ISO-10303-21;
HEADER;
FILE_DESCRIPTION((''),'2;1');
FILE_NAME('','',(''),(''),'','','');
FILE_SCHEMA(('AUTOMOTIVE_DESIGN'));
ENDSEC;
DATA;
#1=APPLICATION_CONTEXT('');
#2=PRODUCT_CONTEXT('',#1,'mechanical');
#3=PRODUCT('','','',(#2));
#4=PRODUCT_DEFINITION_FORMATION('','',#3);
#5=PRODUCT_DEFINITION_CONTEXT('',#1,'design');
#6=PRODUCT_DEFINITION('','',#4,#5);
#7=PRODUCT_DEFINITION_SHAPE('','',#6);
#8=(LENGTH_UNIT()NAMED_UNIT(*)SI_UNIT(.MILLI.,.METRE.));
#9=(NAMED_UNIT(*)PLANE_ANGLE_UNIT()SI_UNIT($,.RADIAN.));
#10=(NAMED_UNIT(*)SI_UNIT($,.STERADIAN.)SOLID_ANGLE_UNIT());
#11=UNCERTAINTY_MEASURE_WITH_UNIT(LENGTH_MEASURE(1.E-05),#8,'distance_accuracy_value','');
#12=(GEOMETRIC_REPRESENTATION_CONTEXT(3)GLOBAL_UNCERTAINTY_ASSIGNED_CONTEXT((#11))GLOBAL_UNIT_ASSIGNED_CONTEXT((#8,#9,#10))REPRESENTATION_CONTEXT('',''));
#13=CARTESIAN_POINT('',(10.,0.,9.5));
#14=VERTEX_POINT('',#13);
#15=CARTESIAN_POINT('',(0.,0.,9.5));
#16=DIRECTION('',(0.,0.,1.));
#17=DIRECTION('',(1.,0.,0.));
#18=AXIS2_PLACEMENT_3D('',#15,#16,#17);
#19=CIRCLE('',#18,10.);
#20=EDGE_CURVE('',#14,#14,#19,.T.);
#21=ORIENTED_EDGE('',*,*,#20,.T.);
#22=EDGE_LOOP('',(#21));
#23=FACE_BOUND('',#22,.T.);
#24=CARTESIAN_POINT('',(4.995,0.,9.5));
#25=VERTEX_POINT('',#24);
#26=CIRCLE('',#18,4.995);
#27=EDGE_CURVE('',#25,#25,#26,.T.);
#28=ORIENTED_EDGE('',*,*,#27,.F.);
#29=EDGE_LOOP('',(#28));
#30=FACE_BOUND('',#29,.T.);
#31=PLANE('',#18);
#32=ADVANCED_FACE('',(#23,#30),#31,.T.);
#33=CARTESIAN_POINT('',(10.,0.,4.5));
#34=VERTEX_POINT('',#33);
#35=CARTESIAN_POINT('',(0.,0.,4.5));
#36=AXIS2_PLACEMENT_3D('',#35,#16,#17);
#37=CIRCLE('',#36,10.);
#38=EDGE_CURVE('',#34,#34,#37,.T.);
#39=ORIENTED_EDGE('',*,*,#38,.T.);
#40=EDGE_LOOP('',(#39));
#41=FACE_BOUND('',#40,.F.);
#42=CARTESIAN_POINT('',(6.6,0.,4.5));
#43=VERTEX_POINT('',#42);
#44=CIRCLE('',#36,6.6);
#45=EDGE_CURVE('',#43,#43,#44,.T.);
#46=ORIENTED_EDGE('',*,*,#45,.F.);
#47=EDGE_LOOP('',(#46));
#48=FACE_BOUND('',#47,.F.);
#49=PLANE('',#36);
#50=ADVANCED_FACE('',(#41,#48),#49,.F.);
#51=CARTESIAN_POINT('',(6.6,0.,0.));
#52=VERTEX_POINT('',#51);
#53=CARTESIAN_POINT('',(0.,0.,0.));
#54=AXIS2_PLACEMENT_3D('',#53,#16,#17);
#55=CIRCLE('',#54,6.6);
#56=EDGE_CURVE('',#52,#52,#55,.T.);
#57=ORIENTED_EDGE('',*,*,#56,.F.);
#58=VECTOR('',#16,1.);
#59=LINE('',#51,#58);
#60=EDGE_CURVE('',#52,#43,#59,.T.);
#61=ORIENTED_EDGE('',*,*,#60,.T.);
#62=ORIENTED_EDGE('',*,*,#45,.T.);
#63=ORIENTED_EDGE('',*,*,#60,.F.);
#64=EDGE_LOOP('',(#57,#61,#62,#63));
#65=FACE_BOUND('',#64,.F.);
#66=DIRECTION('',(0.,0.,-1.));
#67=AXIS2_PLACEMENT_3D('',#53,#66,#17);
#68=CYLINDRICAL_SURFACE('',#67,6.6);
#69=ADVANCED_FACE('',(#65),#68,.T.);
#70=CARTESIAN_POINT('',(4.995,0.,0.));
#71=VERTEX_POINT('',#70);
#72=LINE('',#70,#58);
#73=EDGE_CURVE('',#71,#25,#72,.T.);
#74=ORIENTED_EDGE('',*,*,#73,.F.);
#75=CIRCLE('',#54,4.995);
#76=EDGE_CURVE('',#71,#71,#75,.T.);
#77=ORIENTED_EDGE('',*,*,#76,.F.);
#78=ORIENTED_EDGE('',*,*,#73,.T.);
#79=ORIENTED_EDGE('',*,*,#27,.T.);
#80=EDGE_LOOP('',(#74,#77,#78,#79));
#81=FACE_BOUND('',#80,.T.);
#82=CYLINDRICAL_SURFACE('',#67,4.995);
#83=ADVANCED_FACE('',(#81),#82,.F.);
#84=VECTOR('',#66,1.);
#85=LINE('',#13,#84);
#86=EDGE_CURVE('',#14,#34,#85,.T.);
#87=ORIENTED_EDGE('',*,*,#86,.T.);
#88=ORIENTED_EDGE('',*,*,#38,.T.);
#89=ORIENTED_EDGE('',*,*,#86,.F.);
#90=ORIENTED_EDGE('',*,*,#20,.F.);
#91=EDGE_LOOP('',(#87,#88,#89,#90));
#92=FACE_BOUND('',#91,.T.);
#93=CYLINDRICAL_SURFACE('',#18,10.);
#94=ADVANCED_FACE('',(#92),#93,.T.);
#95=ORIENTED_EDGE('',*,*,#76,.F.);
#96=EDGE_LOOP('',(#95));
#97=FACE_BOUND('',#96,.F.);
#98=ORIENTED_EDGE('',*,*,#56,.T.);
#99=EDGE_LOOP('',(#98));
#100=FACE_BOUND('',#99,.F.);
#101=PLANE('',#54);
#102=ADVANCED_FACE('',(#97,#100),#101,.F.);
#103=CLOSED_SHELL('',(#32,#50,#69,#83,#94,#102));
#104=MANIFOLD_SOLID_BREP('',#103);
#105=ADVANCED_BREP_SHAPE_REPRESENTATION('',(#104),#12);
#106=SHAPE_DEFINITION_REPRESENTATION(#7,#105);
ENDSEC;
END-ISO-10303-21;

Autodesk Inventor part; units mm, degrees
ref_plane "YZ Plane" through (0, 0, 0) normal (1, 0, 0) x (0, 1, 0)
ref_plane "XZ Plane" through (0, 0, 0) normal (0, 1, 0) x (-1, 0, 0)
ref_plane "XY Plane" through (0, 0, 0) normal (0, 0, 1) x (1, 0, 0)
sketch "Sketch1" plane through (0, 0, 0) normal (0, 0, 1) x (1, 0, 0)
  circle A0 centre (0, 0) radius 4.995
  circle A1 centre (0, 0) radius 6.6
  dimension "d0" = 9.99
  dimension "d1" = 13.2
extrude "Extrusion1" add sketch "Sketch1" along normal blind 9.5
sketch "Sketch2" plane through (0, 0, 9.5) normal (0, 0, 1) x (1, 0, 0)
  circle A0 centre (0, 0) radius 6.55
  circle A1 centre (0, 0) radius 6.6 projected
  circle A2 centre (0, 0) radius 10
  dimension "d4" = 20
extrude "Extrusion2" add sketch "Sketch2" against normal blind 5 contours A2
properties part number "CAD_A_inner_3DPrint"
